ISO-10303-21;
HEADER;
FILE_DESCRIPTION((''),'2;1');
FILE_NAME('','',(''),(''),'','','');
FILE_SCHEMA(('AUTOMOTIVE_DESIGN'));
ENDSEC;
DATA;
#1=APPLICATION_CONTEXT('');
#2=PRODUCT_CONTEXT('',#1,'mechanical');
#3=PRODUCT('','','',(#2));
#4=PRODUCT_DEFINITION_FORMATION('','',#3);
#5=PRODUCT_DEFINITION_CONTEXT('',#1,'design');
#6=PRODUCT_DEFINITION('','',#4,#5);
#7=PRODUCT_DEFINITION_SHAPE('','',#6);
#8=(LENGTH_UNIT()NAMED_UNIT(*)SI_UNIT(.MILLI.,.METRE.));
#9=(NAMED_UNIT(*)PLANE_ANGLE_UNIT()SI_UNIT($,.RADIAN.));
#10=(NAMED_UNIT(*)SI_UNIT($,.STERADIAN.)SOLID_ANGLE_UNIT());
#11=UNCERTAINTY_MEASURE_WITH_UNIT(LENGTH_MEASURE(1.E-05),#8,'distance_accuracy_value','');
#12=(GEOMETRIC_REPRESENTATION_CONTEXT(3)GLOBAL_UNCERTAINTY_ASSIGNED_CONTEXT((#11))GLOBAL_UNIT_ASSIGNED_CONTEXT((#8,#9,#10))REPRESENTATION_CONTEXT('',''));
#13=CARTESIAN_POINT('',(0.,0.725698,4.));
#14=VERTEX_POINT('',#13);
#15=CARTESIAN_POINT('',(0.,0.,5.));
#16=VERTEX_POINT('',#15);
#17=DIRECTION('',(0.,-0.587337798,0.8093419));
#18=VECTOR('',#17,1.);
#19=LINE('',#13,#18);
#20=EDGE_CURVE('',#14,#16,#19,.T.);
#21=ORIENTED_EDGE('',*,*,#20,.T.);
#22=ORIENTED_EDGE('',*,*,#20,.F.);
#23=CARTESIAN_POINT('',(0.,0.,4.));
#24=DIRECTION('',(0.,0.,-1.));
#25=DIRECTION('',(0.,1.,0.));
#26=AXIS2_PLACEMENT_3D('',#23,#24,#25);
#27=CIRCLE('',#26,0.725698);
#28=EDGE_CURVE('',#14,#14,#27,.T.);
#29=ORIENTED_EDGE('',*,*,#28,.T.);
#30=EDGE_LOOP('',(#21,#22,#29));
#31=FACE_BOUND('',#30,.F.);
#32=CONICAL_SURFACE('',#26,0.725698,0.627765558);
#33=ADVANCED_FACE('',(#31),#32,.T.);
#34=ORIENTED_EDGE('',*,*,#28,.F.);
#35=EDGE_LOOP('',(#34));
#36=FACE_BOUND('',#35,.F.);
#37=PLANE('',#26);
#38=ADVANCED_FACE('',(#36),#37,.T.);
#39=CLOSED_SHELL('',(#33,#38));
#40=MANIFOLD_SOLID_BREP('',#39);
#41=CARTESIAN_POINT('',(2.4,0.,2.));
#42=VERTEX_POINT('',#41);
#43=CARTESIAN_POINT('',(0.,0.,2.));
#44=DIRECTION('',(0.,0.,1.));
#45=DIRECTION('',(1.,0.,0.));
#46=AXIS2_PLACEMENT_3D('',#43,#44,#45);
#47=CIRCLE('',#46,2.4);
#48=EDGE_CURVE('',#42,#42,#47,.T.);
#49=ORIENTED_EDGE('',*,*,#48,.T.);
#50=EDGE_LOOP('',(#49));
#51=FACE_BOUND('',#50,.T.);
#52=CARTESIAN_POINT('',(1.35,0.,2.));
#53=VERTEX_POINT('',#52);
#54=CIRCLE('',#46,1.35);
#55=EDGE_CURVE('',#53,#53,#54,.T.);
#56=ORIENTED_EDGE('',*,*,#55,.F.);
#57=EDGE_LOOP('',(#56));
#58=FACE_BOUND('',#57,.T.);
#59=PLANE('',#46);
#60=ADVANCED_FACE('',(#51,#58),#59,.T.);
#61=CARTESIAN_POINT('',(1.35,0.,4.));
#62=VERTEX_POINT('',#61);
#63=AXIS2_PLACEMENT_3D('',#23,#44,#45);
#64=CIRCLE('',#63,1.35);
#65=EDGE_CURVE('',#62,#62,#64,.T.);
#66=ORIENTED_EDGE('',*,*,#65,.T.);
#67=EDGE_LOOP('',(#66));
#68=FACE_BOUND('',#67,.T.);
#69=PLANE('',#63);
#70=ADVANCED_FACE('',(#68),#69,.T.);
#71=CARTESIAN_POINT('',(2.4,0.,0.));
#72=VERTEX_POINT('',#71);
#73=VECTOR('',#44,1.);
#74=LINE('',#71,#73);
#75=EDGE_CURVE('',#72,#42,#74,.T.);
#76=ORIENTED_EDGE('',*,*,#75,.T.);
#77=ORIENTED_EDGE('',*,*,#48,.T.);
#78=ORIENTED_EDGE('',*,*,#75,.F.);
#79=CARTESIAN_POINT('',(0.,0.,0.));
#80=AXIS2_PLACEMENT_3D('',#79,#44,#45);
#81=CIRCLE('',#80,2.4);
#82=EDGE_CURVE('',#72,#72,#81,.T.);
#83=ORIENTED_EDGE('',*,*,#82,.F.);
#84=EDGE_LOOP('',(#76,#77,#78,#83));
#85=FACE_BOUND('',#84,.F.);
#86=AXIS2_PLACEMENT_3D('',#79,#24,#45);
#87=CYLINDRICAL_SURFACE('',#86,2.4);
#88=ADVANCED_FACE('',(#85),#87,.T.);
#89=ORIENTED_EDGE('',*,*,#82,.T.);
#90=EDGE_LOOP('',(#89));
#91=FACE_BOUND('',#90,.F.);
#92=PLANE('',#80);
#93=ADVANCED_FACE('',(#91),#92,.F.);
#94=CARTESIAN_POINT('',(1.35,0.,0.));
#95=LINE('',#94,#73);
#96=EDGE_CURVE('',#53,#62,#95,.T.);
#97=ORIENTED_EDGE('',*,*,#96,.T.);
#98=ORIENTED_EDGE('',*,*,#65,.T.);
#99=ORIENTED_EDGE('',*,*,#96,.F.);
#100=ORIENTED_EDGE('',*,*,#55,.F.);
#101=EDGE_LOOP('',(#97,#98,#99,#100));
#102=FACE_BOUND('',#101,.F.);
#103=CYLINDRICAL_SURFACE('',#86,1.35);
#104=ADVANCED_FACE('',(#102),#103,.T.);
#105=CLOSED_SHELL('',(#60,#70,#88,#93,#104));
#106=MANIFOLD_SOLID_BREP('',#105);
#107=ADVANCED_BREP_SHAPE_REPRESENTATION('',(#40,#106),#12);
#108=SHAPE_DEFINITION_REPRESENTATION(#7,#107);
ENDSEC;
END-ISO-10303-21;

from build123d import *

# Parameters (mm, degrees)
F0_R     = 1.35
F1_DEPTH = 4
F0_R_2   = 2.4
F2_DEPTH = 2


with BuildPart() as f1:
    # F0 (on Top) → F1 (new body)
    with BuildSketch(Plane.XY):
        Circle(F0_R)
    extrude(amount=F1_DEPTH)

    # F0 (on Top) → F2 (join)
    with BuildSketch(Plane.XY):
        Circle(F0_R_2)
        Circle(F0_R, mode=Mode.SUBTRACT)
    extrude(amount=F2_DEPTH)


with BuildPart() as f5:
    # F4 (on Right) → F5 (revolve)
    with BuildSketch(Plane.YZ):
        Polygon((0, 5), (0, 4), (0.725698, 4), align=None)
    revolve(axis=Axis((0, 0, 4.5), (0, 0, -1)))


solid = Compound([f1.part, f5.part])
